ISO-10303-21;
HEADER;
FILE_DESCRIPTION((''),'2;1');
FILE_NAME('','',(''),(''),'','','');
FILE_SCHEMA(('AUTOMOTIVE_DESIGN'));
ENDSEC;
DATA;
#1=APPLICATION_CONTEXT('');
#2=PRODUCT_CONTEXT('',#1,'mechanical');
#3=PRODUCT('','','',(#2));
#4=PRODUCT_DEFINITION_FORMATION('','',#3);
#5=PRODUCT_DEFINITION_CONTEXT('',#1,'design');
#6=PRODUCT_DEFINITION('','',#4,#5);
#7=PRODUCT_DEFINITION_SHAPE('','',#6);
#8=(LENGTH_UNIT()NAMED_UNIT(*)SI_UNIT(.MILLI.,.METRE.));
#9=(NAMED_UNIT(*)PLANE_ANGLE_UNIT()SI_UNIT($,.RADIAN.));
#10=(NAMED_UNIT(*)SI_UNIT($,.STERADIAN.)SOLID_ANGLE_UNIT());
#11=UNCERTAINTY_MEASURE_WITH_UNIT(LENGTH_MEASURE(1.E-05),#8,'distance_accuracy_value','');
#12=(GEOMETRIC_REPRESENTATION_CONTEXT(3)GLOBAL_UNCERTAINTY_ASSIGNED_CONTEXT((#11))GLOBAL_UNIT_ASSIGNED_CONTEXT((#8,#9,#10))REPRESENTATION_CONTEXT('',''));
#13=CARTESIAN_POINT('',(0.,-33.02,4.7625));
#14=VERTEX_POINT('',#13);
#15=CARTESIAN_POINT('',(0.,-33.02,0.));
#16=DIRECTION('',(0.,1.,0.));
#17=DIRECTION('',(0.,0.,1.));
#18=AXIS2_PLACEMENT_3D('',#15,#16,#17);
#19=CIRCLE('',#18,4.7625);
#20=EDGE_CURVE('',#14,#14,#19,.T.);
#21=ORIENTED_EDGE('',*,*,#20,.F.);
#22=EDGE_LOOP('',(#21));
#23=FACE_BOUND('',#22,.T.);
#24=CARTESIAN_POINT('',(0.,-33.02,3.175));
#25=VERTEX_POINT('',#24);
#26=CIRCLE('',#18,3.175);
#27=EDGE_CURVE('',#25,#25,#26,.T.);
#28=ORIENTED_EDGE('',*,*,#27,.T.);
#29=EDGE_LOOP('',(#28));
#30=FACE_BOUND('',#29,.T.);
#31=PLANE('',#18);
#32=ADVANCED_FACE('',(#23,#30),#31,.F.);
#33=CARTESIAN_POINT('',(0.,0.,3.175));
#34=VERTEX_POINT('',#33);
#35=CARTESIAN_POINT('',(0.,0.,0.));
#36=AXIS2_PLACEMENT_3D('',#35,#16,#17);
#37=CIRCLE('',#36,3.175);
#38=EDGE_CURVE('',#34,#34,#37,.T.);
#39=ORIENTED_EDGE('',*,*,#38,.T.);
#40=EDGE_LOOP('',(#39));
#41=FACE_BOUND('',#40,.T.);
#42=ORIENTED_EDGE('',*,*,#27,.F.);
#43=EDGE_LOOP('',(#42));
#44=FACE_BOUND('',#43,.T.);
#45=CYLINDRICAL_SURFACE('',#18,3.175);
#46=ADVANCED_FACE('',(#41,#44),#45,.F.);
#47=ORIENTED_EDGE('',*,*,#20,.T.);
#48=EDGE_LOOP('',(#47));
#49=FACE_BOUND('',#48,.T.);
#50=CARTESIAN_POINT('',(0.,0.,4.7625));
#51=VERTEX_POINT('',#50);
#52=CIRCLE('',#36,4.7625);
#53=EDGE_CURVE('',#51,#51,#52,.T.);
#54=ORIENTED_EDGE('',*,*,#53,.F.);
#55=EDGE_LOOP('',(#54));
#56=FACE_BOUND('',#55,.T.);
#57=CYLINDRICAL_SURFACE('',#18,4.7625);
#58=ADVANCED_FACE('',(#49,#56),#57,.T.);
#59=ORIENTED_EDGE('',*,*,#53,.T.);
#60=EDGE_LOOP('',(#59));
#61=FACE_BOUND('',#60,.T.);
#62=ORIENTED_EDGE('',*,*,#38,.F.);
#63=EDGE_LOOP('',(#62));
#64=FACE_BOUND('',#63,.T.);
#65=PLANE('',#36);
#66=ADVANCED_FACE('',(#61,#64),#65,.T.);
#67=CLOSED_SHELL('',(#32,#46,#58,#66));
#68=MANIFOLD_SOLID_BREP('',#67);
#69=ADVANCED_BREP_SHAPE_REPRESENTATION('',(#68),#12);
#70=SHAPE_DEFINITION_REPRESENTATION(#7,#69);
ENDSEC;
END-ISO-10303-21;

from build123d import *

# Parameters (mm, degrees)
SKETCH1_R           = 4.7625
SKETCH1_R_2         = 3.175
BOSS_EXTRUDE1_DEPTH = 33.02


with BuildPart() as part:
    # Sketch1 → Boss-Extrude1 (new body)
    with BuildSketch(Plane(origin=(0, 0, 0), x_dir=(1, 0, 0), z_dir=(0, 1, 0))):
        Circle(SKETCH1_R)
        Circle(SKETCH1_R_2, mode=Mode.SUBTRACT)
    extrude(amount=-BOSS_EXTRUDE1_DEPTH)


solid = part.part
